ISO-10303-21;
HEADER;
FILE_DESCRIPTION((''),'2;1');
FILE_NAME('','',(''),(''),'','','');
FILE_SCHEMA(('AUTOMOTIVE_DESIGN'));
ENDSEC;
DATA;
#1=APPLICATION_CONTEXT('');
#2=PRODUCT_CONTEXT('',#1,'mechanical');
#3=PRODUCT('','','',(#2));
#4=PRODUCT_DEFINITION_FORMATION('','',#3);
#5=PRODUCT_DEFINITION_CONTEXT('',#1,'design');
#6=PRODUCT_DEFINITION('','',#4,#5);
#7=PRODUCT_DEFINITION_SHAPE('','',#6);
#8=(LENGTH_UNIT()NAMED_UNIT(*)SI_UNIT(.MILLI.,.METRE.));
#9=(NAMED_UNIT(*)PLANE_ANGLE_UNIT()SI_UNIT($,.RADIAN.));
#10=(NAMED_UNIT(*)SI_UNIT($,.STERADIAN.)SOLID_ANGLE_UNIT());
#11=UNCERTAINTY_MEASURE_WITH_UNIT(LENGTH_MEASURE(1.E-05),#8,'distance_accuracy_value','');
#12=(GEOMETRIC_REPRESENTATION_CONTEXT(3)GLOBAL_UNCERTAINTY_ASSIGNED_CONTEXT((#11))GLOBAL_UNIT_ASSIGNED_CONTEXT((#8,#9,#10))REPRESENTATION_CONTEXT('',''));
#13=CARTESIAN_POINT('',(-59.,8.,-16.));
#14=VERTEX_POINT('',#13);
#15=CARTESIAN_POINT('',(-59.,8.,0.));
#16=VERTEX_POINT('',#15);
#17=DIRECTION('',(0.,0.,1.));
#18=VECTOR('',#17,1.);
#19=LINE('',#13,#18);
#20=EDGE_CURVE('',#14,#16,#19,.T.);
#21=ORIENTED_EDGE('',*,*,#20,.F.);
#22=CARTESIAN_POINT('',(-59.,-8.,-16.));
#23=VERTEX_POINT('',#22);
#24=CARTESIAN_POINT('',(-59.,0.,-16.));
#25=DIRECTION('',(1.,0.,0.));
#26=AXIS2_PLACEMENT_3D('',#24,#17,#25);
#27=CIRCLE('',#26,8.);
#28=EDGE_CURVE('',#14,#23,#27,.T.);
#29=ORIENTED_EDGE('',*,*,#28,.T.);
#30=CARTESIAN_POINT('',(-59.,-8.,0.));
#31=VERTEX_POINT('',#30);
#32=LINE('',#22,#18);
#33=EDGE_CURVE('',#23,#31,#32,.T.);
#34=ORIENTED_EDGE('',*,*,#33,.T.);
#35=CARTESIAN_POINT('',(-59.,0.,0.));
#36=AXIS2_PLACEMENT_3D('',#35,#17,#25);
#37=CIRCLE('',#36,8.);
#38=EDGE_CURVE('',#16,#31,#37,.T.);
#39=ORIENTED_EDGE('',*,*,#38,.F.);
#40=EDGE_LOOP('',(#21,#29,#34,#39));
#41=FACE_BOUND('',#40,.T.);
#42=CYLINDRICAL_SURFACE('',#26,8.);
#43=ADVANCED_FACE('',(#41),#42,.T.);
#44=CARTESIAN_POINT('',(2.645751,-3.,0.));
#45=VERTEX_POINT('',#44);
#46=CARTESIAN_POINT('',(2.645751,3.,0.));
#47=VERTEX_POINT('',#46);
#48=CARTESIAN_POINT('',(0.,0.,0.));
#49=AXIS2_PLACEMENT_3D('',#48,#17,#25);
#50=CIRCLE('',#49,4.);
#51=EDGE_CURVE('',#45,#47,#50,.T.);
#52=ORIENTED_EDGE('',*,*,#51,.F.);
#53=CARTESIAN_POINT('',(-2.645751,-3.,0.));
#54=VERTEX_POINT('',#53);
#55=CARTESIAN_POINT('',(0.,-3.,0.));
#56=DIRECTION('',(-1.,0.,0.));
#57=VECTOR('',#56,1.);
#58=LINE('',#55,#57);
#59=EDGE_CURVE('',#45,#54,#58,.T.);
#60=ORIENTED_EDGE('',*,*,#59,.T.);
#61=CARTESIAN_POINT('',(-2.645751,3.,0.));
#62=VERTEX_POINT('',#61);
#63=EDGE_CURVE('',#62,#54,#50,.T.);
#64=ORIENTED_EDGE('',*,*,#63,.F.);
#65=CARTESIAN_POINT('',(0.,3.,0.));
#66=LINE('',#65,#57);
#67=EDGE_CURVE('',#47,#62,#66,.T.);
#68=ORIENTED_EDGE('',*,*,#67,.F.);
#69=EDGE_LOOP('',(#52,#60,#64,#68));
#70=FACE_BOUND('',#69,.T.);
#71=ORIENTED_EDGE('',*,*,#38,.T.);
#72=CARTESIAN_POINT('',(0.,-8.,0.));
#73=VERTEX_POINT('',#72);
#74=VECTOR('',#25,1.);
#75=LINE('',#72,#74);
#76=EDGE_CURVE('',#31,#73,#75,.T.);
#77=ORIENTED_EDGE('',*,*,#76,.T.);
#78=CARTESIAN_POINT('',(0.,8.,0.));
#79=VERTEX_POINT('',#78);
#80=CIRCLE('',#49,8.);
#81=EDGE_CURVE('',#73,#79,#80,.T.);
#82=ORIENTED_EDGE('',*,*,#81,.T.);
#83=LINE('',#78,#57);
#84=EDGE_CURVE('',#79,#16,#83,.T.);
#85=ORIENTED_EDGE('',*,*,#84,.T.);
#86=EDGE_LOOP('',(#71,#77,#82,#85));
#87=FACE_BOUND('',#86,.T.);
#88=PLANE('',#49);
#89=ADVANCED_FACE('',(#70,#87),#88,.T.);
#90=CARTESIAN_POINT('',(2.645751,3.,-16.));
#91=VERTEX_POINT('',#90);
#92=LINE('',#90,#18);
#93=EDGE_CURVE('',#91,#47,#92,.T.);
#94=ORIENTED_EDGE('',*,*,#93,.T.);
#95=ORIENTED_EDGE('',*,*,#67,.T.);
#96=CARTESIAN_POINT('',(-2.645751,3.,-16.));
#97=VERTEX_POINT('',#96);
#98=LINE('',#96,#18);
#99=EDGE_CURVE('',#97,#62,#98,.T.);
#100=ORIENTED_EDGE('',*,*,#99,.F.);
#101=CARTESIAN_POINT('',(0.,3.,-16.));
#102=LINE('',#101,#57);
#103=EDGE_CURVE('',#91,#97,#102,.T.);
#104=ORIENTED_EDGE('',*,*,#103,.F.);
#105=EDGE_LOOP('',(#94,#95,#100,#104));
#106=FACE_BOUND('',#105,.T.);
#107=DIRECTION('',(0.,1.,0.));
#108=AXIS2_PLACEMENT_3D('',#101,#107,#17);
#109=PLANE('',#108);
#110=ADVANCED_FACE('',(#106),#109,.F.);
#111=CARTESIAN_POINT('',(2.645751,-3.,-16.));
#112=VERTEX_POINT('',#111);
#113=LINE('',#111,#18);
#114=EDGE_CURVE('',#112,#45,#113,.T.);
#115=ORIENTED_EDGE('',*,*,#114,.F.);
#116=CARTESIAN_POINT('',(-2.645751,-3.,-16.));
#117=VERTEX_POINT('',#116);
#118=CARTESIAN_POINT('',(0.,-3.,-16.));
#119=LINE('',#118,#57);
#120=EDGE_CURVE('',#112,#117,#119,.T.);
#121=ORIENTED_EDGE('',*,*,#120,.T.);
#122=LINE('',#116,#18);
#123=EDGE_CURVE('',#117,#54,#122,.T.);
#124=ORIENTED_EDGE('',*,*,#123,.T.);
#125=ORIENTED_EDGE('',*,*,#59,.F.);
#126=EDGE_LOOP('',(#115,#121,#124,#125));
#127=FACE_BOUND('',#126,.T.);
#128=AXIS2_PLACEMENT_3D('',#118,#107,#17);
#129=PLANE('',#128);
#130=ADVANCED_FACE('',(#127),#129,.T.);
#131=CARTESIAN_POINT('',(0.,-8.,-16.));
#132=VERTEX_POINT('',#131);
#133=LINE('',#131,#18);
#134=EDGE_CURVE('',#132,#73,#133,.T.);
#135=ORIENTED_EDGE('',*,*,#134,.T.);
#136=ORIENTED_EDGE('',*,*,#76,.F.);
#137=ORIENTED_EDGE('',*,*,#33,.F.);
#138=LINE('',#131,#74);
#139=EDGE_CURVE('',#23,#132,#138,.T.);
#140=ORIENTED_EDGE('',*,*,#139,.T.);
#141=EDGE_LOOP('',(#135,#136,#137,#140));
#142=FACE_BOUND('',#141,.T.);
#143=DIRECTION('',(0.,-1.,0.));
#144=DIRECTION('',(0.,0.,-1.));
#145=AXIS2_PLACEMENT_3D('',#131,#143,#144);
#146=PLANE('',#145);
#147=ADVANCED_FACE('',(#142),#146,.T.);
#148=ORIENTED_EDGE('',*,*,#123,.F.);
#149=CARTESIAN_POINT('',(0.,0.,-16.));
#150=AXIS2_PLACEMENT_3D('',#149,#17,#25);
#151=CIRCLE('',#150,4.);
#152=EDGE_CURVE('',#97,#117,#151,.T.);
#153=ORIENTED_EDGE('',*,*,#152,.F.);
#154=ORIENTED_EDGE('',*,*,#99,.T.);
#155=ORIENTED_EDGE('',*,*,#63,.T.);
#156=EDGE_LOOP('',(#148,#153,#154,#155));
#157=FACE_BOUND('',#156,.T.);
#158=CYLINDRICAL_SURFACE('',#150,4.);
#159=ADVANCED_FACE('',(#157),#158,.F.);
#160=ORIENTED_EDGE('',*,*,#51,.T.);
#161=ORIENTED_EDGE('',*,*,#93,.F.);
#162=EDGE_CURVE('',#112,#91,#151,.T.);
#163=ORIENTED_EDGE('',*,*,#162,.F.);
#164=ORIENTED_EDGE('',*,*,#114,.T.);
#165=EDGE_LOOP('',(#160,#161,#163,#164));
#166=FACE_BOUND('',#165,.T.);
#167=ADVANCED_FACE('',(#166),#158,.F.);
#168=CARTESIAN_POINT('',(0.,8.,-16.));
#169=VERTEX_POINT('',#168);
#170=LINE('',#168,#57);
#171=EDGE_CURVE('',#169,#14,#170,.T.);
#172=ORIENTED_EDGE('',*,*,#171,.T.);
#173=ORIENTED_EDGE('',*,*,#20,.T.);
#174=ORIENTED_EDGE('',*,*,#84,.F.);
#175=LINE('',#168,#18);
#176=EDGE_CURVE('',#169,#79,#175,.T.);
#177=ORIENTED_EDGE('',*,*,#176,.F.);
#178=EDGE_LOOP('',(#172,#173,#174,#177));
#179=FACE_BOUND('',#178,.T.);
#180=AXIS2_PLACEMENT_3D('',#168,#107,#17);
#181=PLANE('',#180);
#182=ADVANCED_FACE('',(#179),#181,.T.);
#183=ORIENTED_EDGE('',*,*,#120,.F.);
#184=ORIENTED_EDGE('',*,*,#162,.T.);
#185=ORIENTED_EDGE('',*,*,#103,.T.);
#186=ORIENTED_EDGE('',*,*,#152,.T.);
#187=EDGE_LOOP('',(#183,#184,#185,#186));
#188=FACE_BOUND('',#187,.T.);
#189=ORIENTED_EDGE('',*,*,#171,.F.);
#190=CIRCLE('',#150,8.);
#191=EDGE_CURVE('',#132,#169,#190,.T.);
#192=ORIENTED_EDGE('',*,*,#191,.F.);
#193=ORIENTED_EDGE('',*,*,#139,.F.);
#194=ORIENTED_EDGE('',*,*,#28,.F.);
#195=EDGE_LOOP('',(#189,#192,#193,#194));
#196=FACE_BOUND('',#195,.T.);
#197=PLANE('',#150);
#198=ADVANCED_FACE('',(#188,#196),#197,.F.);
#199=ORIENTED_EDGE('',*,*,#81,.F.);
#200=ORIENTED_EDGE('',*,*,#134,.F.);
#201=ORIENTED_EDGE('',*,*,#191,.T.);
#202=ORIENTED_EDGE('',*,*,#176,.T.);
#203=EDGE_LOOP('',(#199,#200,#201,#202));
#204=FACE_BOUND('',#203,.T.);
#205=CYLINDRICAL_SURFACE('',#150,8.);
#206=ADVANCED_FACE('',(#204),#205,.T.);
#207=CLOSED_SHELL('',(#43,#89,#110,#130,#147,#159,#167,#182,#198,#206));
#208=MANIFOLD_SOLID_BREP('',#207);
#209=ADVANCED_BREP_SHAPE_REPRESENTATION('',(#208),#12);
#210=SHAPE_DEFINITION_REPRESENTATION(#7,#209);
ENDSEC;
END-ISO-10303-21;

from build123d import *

# Parameters (mm, degrees)
SKETCH1_R           = 8
SKETCH1_R_2         = 4
BOSS_EXTRUDE1_DEPTH = 16


with BuildPart() as part:
    # Sketch1 → Boss-Extrude1 (new body)
    # profile 1 of 5: a face of its own
    with BuildSketch(Plane.XY):
        with Locations((-59, 0)):
            Circle(SKETCH1_R)
    # profile 2 of 5: a face of its own
    with BuildSketch(Plane.XY):
        with BuildLine():
            ThreePointArc((0, -8), (-8, 0), (0, 8))
            Line((0, 8), (-59, 8))
            ThreePointArc((-59, 8), (-53.343145751, 5.656854249), (-51, 0))
            ThreePointArc((-51, 0), (-53.343145751, -5.656854249), (-59, -8))
            Line((-59, -8), (0, -8))
        make_face()
    # profile 3 of 5: a face of its own
    with BuildSketch(Plane.XY):
        Circle(SKETCH1_R)
        Circle(SKETCH1_R_2, mode=Mode.SUBTRACT)
    # profile 4 of 5: a face of its own
    with BuildSketch(Plane.XY):
        with BuildLine():
            Line((-2.645751311, 3), (2.645751311, 3))
            ThreePointArc((2.645751311, 3), (0, 4), (-2.645751311, 3))
        make_face()
    # profile 5 of 5: a face of its own
    with BuildSketch(Plane.XY):
        with BuildLine():
            ThreePointArc((-2.645751311, -3), (0, -4), (2.645751311, -3))
            Line((2.645751311, -3), (-2.645751311, -3))
        make_face()
    extrude(amount=-BOSS_EXTRUDE1_DEPTH)


solid = part.part
